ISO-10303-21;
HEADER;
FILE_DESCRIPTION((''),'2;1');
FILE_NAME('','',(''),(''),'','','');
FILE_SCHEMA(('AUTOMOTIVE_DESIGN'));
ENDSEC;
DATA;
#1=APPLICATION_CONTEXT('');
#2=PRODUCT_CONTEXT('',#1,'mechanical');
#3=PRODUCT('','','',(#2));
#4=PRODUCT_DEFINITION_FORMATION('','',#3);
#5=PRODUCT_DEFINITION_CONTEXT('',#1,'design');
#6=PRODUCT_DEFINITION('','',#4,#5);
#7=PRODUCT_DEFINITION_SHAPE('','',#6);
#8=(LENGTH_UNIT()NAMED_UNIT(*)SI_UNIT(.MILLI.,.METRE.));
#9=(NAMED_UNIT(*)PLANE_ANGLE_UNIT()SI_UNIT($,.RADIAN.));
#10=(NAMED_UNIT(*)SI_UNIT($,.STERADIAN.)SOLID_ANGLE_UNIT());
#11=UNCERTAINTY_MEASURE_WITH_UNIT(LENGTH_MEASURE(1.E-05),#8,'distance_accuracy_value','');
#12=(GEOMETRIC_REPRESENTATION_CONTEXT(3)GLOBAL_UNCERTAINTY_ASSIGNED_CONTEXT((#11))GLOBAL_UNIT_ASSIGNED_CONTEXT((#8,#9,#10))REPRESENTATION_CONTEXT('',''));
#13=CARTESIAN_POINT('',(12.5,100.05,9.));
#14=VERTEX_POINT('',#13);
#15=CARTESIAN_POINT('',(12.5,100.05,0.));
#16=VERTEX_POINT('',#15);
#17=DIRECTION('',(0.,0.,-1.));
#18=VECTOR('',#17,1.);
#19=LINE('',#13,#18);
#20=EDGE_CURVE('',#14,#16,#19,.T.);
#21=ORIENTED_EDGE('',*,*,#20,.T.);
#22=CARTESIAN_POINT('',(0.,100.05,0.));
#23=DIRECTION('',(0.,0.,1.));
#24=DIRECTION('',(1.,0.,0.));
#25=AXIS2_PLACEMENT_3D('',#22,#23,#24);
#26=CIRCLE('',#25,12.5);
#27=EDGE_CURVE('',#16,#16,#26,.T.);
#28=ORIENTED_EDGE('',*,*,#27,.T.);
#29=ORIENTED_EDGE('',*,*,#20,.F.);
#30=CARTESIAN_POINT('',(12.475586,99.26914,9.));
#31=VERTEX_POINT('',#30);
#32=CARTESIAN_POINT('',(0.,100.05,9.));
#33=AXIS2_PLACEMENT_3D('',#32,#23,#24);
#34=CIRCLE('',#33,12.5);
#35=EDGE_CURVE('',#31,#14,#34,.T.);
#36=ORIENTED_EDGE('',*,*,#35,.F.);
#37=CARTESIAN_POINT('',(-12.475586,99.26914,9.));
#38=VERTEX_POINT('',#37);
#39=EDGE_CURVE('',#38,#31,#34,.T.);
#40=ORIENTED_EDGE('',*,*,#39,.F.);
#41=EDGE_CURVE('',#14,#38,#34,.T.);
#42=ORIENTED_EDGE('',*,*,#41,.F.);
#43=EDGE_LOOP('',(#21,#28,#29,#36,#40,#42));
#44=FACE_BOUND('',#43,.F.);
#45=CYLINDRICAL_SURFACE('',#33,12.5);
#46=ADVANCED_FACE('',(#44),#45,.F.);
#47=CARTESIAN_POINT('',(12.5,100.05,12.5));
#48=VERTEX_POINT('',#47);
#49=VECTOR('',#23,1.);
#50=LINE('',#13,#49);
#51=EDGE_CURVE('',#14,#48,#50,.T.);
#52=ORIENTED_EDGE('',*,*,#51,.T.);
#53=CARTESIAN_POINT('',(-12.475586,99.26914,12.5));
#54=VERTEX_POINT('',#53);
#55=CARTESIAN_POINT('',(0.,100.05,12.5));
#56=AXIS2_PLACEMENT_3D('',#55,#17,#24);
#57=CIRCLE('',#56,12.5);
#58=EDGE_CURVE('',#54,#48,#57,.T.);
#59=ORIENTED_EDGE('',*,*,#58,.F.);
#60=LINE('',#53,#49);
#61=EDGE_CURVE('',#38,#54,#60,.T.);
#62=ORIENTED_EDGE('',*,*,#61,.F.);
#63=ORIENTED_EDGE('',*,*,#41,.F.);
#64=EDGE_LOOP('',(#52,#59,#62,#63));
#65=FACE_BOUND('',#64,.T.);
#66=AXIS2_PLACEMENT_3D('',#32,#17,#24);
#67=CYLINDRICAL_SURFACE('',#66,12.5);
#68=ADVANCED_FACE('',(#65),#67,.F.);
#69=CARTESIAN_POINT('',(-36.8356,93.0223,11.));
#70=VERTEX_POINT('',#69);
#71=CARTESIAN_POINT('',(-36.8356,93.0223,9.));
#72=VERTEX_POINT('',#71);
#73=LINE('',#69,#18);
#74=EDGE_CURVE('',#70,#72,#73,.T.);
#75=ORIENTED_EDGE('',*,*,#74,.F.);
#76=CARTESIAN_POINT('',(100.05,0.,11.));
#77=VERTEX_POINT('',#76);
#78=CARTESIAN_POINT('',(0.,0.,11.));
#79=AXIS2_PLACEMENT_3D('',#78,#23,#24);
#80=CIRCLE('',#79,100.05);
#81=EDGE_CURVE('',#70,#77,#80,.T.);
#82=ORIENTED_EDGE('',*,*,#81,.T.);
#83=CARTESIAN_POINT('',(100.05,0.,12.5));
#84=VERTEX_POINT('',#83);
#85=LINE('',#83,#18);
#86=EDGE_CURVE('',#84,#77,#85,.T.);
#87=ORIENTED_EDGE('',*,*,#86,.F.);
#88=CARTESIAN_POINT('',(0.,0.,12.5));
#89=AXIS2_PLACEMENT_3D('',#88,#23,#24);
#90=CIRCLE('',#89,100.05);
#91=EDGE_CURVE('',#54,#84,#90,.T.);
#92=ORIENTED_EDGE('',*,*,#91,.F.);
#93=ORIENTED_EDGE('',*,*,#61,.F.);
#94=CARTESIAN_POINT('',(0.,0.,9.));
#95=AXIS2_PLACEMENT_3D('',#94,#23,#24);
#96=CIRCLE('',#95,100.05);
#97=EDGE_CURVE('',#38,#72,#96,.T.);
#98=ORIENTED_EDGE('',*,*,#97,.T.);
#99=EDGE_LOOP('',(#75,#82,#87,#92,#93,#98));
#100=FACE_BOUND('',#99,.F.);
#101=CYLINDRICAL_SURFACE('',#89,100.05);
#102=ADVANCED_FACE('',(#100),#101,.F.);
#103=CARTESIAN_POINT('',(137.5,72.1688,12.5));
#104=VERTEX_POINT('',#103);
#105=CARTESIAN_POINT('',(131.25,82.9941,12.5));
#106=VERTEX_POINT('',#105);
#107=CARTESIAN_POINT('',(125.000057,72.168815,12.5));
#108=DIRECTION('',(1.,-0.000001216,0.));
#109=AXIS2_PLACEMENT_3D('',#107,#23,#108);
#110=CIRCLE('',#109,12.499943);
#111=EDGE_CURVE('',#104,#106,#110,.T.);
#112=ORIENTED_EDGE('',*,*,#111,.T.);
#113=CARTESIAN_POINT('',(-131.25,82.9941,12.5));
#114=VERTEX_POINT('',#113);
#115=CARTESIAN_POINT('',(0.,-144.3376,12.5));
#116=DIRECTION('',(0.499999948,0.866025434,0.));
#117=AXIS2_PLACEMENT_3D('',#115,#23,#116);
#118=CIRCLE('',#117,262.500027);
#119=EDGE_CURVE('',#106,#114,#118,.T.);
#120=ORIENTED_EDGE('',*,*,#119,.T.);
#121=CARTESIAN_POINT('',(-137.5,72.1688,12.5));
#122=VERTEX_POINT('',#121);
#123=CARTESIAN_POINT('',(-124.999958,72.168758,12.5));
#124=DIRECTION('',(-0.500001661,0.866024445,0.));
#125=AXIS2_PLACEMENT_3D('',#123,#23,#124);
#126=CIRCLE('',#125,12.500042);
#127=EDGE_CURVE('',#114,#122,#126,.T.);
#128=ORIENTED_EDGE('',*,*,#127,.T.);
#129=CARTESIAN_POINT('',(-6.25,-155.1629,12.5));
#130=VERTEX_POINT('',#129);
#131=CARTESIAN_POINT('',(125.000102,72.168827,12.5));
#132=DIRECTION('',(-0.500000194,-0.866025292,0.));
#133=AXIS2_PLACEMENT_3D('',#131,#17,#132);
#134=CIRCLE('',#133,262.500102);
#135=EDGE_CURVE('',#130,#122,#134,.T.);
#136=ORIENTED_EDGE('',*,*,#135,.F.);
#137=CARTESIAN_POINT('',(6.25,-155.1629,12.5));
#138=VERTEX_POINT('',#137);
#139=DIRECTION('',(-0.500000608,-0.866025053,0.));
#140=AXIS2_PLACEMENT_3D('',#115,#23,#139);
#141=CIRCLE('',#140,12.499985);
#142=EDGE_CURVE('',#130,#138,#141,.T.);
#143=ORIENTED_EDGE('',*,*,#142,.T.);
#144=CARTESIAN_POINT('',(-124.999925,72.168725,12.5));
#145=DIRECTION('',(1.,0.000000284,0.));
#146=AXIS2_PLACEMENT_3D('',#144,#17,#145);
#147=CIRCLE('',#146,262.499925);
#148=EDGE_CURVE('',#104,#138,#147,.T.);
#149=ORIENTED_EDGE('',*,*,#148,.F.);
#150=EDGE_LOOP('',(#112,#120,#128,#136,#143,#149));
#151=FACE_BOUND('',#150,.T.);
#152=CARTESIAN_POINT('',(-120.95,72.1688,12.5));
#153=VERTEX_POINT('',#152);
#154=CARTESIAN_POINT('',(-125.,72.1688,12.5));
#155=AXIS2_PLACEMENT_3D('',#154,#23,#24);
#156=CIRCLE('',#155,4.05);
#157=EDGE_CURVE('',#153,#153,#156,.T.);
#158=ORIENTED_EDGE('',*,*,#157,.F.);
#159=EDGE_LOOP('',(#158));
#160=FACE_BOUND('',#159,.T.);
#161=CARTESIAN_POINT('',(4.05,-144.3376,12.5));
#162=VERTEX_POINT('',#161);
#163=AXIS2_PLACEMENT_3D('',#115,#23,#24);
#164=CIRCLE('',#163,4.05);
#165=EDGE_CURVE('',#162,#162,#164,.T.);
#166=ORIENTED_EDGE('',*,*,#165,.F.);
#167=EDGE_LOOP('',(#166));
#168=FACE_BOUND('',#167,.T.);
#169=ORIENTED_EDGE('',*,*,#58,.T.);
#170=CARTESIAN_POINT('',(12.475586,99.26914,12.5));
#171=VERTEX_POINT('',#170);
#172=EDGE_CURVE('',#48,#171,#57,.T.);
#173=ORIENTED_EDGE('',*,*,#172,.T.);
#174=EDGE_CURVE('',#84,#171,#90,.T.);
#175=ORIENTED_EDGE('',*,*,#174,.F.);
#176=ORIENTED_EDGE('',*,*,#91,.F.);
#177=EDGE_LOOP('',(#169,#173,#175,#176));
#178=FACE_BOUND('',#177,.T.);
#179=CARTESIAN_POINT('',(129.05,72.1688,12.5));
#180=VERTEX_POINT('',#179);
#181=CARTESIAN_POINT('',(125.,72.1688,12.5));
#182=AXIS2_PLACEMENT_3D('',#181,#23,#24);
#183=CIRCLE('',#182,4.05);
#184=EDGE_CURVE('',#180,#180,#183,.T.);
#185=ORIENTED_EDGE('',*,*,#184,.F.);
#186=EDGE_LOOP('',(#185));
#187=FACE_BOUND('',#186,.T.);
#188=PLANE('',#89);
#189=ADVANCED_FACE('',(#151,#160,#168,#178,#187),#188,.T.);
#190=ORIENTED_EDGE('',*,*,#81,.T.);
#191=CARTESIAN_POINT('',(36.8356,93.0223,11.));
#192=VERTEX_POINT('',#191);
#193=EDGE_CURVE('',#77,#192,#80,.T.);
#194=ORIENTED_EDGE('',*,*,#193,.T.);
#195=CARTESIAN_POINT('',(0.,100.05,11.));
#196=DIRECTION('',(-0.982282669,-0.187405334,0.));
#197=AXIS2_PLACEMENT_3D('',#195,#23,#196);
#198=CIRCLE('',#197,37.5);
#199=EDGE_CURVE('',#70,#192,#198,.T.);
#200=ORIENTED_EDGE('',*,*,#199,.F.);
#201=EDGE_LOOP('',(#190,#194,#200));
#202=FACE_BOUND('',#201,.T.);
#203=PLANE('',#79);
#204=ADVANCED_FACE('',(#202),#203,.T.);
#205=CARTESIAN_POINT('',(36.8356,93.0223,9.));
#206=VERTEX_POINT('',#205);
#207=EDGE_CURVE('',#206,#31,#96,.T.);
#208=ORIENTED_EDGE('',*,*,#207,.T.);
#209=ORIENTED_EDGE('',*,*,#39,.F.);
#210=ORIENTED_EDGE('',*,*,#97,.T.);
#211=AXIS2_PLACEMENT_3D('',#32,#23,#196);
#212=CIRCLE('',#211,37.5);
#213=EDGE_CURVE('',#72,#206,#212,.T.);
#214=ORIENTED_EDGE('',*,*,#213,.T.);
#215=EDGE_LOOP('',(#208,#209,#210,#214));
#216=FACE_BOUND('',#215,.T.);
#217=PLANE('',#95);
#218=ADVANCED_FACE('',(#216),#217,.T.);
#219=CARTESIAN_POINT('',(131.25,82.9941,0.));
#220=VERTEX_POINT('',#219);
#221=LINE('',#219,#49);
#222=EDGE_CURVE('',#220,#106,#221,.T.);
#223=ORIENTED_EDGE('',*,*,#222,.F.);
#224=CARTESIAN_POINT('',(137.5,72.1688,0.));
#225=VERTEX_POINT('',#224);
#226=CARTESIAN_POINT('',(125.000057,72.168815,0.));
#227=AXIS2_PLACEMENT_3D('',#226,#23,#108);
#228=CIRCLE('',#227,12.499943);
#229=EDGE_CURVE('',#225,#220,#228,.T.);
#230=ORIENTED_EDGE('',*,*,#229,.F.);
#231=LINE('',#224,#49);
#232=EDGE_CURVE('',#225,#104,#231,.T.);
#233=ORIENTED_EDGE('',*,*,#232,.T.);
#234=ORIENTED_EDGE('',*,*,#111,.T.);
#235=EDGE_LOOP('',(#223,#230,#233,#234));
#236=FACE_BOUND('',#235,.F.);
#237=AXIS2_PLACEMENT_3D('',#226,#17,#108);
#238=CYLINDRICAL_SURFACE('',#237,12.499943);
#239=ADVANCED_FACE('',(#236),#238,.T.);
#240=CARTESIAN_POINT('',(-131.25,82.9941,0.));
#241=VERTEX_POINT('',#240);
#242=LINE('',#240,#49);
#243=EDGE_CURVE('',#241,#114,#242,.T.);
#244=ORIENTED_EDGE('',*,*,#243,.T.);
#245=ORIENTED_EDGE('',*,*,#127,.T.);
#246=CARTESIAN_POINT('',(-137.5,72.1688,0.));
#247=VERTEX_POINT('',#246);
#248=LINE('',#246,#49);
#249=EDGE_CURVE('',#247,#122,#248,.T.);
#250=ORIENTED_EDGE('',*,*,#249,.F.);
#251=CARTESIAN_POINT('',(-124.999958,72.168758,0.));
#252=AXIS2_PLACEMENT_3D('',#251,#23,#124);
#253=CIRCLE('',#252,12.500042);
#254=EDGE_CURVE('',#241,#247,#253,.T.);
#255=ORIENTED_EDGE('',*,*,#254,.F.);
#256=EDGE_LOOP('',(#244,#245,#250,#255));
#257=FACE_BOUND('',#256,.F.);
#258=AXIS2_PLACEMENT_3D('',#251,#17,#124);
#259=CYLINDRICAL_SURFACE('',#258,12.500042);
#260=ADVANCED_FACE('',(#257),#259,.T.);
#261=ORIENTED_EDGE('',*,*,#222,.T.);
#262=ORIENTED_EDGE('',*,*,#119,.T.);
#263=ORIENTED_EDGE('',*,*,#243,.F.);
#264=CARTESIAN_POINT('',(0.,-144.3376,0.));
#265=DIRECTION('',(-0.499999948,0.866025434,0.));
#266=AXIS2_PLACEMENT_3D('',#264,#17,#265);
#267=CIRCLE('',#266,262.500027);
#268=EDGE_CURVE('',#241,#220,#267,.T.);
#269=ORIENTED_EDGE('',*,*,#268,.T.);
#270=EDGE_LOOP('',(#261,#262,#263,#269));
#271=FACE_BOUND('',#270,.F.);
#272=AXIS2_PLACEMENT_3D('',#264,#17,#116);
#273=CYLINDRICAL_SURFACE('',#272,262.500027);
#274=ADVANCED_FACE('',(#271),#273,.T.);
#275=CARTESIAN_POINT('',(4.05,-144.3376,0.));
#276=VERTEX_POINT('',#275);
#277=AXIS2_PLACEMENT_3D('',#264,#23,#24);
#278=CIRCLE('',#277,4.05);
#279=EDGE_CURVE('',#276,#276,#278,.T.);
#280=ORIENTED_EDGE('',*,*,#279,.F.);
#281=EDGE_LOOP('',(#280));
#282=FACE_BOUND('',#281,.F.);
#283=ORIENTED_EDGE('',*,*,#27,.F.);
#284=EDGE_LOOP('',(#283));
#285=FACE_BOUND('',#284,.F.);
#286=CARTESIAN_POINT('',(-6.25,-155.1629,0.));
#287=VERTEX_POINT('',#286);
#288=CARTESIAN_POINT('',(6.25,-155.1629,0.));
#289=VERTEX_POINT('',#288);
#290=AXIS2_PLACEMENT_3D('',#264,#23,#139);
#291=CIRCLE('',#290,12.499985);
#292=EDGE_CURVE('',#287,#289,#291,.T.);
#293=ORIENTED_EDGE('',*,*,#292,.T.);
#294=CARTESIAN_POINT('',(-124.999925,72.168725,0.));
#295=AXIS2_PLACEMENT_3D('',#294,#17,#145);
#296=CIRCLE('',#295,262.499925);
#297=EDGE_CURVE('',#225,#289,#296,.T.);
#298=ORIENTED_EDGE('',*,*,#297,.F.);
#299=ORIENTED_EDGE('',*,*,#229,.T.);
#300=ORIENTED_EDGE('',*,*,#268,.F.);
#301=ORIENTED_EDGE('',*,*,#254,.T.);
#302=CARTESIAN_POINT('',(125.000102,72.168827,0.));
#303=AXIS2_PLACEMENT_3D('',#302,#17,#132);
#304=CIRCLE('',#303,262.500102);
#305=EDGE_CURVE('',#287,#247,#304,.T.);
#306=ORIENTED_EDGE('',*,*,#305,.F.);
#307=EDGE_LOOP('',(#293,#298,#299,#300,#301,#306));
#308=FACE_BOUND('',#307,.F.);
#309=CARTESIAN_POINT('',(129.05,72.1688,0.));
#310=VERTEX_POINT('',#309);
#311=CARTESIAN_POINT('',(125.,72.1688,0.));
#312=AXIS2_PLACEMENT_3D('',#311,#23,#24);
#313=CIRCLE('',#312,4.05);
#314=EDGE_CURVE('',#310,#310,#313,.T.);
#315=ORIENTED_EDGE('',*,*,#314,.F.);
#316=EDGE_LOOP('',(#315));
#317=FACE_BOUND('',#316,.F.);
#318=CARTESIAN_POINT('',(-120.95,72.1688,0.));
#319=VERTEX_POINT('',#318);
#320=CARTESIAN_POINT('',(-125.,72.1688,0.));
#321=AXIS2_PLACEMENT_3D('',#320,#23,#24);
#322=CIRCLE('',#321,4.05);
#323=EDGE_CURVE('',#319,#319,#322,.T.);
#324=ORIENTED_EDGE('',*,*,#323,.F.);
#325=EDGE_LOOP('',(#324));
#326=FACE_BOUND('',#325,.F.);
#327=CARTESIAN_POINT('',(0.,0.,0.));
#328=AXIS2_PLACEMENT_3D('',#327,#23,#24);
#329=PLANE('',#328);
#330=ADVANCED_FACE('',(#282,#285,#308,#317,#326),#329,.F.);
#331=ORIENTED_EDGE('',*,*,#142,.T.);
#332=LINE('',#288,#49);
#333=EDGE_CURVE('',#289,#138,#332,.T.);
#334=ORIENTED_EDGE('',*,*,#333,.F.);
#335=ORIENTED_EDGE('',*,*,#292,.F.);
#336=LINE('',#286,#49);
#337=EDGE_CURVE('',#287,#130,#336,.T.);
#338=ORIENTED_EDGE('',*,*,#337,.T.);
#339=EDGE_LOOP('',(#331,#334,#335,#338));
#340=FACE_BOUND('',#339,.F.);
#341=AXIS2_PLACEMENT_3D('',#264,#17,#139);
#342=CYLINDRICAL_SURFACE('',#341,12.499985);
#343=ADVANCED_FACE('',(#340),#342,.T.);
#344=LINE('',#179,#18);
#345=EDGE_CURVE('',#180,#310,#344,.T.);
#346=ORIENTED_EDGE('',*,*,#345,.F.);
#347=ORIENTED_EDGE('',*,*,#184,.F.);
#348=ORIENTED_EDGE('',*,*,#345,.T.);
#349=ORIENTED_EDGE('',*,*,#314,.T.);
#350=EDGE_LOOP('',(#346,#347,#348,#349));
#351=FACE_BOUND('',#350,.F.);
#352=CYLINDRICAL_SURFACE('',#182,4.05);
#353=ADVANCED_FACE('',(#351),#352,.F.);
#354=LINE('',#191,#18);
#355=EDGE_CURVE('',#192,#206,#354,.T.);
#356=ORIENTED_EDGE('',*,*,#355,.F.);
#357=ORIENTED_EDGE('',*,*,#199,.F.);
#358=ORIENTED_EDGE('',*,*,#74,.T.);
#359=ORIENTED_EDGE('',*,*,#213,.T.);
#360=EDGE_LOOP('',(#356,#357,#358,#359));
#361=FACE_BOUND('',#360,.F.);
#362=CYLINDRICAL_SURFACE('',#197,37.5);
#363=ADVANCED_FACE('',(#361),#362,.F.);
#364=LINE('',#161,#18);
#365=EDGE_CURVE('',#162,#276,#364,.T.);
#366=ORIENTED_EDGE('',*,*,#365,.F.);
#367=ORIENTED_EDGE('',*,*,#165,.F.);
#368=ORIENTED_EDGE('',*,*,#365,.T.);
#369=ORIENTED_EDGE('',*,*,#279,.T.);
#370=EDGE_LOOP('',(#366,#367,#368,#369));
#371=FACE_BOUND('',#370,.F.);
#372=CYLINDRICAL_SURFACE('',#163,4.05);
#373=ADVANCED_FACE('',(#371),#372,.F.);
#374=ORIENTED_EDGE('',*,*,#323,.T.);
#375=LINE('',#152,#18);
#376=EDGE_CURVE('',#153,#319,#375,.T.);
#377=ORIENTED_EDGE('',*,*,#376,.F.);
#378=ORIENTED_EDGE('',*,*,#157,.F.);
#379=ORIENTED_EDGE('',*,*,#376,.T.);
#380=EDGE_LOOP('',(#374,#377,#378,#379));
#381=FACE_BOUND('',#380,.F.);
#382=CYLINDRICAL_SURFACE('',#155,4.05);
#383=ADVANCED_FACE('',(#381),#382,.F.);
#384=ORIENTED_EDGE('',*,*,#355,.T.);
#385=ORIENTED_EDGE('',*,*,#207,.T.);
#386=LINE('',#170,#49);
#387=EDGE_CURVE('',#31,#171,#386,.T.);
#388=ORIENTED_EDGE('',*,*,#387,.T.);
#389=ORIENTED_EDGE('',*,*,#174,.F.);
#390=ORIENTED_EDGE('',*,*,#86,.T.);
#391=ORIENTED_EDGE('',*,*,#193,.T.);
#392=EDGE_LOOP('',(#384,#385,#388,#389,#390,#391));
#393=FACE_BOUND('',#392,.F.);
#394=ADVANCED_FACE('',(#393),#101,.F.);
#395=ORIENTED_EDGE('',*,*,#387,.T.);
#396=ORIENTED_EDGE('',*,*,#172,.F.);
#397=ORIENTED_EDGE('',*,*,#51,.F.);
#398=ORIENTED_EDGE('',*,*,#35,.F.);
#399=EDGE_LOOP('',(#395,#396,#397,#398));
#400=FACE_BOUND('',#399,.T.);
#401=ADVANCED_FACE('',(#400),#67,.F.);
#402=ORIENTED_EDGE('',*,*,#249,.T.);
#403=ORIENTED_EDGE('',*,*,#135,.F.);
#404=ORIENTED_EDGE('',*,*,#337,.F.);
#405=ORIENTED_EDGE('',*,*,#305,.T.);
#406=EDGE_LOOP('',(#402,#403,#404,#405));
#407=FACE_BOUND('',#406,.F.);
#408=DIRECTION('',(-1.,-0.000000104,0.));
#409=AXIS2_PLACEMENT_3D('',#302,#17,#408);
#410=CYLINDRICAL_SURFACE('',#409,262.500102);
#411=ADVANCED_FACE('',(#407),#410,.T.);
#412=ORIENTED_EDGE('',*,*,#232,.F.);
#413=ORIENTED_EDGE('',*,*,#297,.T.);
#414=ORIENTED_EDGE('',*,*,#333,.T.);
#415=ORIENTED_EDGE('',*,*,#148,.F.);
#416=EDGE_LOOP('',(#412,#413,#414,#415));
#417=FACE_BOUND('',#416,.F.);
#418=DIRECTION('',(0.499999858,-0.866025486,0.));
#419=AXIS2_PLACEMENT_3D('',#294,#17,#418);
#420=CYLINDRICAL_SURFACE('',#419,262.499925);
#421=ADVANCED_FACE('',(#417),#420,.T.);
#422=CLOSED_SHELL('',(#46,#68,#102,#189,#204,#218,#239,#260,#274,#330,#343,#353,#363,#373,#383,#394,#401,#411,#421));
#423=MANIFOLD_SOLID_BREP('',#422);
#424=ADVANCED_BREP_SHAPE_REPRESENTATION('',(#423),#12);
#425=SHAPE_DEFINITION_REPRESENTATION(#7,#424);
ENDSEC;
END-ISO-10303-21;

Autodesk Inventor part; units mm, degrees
ref_plane "YZ Plane" through (0, 0, 0) normal (1, 0, 0) x (0, 1, 0)
ref_plane "XZ Plane" through (0, 0, 0) normal (0, 1, 0) x (-1, 0, 0)
ref_plane "XY Plane" through (0, 0, 0) normal (0, 0, 1) x (1, 0, 0)
sketch "Sketch1" plane through (0, 0, 0) normal (0, 0, 1) x (1, 0, 0)
  arc A0 (0, -144.3376) -> (125, 72.1688) centre (-125, 72.1688) ccw
  arc A1 (-125, 72.1688) -> (0, -144.3376) centre (125, 72.1688) ccw
  arc A2 (125, 72.1688) -> (-125, 72.1688) centre (0, -144.3376) ccw
  line L0 (-125, 72.1688) -> (0, 0) construction
  line L1 (0, 0) -> (125, 72.1688) construction
  line L2 (0, 0) -> (0, -144.3376) construction
  circle A3 centre (0, 0) radius 100
  arc A4 (-131.25, 82.9941) -> (-137.5, 72.1688) centre (-125, 72.1688) ccw
  arc A5 (137.5, 72.1688) -> (131.25, 82.9941) centre (125, 72.1688) ccw
  arc A6 (-6.25, -155.1629) -> (6.25, -155.1629) centre (0, -144.3376) ccw
  arc A7 (-137.5, 72.1688) -> (-6.25, -155.1629) centre (125, 72.1688) ccw
  arc A8 (131.25, 82.9941) -> (-131.25, 82.9941) centre (0, -144.3376) ccw
  arc A9 (6.25, -155.1629) -> (137.5, 72.1688) centre (-125, 72.1688) ccw
  line L3 (-100, 100) -> (100, 100)
  line L4 (100, 100) -> (100, -100)
  line L5 (100, -100) -> (-100, -100)
  line L6 (-100, -100) -> (-100, 100)
  point P0 (0, 0)
  point P1 (0, 0)
  dimension "d0" = 200
  dimension "d2" = 250
  dimension "d3" = 12.5
extrude "Extrusion1" add sketch "Sketch1" along normal blind 12.5 contours A1 L5 A0 | A0 L5 A9 A6 A7 A1 | L5 A3 L4 A0 | A0 L4 A9 L5 | L5 A7 L6 A1 | A1 L6 A3 L5 | L4 A2 A0 | A0 A2 L4 A8 A5 A9 | A3 | L6 A7 A4 A8 A2 A1 | A1 A2 L6 | A3 L3 A2 L4 | L6 A2 L3 A3 | A2 L3 A8 L4 | L3 A2 | L6 A8 L3 A2 | A2 L3 A8
sketch "Sketch2" plane through (0, 0, 12.5) normal (0, 0, 1) x (1, 0, 0)
  arc A0 (131.25, 82.9941) -> (-131.25, 82.9941) centre (0, -144.3376) ccw projected
  arc A1 (-131.25, 82.9941) -> (-137.5, 72.1688) centre (-125, 72.1688) ccw projected
  arc A2 (-137.5, 72.1688) -> (-6.25, -155.1629) centre (125, 72.1688) ccw projected
  circle A3 centre (-125, 72.1688) radius 4.05
  circle A4 centre (125, 72.1688) radius 4.05
  circle A5 centre (0, -144.3376) radius 4.05
  point P0 (0, 0)
  dimension "d6" = 8.1
extrude "Extrusion2" cut sketch "Sketch2" against normal through all
sketch "Sketch3" plane through (0, 0, 12.5) normal (0, 0, 1) x (1, 0, 0)
  circle A0 centre (0, 0) radius 100.05
  dimension "d10" = 200.1
extrude "Extrusion3" cut sketch "Sketch3" against normal blind 1.5
sketch "Sketch5" plane through (0, 0, 12.5) normal (0, 0, 1) x (1, 0, 0)
  circle A0 centre (125, 72.1688) radius 4.05 projected
  circle A1 centre (-125, 72.1688) radius 4.05 projected
  circle A2 centre (0, -144.3376) radius 4.05 projected
hole "Hole1" at (0, -144.3376, 12.5) at (-125, 72.1688, 12.5) at (125, 72.1688, 12.5) direction (0, 0, -1) diameter 8.1 end through all clearance for "Socket Head Cap Screw" size "M8" standard "Ansi Metric M Profile"
sketch "Sketch7" plane through (0, 0, 11) normal (0, 0, 1) x (1, 0, 0)
  circle A0 centre (0, 0) radius 100.05 projected
  arc A1 (-36.8356, 93.0223) -> (36.8356, 93.0223) centre (0, 100.05) ccw
  dimension "d30" = 37.5
extrude "Extrusion5" cut sketch "Sketch7" against normal blind 2 contours A1 A0 picked at (-7.0348, 87.6172)
sketch "Sketch9" plane through (0, 0, 9) normal (0, 0, 1) x (1, 0, 0)
  arc A0 (-36.8356, 93.0223) -> (36.8356, 93.0223) centre (0, 100.05) ccw projected
  circle A1 centre (0, 100.05) radius 12.5
  dimension "d39" = 25
extrude "Extrusion7" cut sketch "Sketch9" along normal through all both and the other way through all
properties part number "build plate"
